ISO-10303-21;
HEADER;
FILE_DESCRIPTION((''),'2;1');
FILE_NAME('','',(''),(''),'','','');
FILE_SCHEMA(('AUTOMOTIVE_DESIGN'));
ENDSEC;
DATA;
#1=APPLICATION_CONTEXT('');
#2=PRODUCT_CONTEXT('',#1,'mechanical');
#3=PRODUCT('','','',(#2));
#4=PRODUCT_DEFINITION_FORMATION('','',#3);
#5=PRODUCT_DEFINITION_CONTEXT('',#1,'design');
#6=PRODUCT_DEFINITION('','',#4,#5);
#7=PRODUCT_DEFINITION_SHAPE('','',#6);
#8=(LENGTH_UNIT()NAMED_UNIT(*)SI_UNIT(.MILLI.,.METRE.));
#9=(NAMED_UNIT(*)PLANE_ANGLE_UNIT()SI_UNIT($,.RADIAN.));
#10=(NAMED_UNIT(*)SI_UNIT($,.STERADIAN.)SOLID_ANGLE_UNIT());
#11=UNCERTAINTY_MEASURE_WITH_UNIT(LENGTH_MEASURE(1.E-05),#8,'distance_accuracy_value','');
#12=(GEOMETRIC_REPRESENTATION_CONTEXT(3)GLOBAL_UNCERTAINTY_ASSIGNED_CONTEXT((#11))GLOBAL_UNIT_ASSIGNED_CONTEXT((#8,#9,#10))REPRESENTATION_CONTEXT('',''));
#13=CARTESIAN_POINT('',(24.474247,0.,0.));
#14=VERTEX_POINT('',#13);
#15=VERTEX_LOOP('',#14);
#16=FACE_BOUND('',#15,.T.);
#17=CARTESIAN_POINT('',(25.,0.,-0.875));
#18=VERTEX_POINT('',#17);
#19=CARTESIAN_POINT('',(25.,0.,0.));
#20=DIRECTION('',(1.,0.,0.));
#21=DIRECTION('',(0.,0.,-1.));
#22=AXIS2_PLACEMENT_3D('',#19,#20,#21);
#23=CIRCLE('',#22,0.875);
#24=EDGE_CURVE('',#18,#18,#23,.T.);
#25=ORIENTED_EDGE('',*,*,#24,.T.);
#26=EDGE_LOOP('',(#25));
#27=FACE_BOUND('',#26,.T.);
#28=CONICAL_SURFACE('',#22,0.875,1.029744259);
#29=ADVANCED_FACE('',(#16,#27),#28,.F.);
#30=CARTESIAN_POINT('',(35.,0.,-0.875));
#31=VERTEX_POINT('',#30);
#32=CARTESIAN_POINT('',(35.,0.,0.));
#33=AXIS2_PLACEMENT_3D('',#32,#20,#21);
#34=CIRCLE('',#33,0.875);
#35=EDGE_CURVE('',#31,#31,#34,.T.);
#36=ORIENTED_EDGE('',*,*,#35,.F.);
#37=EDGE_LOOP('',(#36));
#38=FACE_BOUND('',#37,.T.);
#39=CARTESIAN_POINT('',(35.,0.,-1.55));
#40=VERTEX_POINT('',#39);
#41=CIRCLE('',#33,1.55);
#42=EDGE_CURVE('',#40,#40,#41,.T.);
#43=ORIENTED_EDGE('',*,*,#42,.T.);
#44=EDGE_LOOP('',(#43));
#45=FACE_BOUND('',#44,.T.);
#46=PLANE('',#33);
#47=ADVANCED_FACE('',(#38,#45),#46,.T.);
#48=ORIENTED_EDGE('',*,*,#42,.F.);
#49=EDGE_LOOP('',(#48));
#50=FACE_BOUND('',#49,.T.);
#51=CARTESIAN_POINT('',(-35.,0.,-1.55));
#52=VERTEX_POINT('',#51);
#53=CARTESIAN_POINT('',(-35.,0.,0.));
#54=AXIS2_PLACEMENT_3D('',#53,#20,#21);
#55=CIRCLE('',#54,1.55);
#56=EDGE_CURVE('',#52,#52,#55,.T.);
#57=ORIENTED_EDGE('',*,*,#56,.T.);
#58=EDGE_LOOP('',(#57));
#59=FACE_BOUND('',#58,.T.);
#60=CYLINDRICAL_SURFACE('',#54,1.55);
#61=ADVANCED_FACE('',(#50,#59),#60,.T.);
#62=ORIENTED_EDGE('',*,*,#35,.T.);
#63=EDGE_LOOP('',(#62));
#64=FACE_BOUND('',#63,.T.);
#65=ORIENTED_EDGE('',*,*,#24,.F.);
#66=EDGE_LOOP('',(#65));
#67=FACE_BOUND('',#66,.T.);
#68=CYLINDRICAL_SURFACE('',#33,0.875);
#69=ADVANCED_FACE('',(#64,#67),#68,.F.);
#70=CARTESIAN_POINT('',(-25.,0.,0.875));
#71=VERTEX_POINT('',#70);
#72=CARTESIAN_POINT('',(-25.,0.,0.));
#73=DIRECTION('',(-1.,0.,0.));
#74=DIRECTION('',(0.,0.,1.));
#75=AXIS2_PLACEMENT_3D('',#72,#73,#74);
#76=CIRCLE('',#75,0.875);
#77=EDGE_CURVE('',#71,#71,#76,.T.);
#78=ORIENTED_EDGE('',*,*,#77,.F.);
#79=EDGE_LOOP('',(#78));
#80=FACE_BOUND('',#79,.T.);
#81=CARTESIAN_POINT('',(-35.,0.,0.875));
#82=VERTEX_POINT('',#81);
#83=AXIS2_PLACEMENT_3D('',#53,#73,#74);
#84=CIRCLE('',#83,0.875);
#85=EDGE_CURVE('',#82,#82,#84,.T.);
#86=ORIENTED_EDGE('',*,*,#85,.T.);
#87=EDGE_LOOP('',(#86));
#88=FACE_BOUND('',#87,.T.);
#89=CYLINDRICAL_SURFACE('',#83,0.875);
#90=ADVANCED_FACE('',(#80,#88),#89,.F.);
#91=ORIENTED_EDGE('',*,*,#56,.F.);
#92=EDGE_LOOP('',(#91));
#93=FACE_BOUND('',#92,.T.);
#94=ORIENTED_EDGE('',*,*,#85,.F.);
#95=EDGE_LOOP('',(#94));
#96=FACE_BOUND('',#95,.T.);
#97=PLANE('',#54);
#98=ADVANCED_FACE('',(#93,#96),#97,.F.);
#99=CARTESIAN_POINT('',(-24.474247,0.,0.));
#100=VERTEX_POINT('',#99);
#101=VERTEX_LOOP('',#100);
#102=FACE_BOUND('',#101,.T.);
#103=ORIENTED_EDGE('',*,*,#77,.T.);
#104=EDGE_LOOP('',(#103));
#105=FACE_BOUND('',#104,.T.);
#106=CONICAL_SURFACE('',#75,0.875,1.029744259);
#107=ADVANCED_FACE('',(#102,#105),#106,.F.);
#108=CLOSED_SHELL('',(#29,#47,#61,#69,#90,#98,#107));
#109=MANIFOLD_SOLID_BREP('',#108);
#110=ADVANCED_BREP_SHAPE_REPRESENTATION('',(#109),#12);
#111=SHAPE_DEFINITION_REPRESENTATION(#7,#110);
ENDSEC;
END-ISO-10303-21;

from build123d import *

# Parameters (mm, degrees)
BOSS_EXTRUDE1_DEPTH      = 35
BOSS_EXTRUDE1_DEPTH_BACK = 35
SKETCH1_R                = 1.55


with BuildPart() as part:
    # Sketch1 → Boss-Extrude1 (new, two sides: drawn at the far end of the back side and taken through both)
    with BuildSketch(Plane(origin=(0, 0, 0), x_dir=(0, 0, -1), z_dir=(1, 0, 0)).offset(-BOSS_EXTRUDE1_DEPTH_BACK)):
        Circle(SKETCH1_R)
    extrude(amount=BOSS_EXTRUDE1_DEPTH + BOSS_EXTRUDE1_DEPTH_BACK)

    # Sketch3 → M2x0.25 Tapped Hole1 (revolve, cut)
    with BuildSketch(Plane(origin=(35, 0, 0), x_dir=(0, 0, -1), z_dir=(0, 1, 0))):
        Polygon((0, 0), (0, 10.525753042), (0.875, 10), (0.875, 0), align=None)
    m2x0_25_tapped_hole1 = revolve(axis=Axis((41.35, 0, 0), (-1, 0, 0)), mode=Mode.SUBTRACT)

    # Mirror1: M2x0.25 Tapped Hole1 across plane
    add(m2x0_25_tapped_hole1.mirror(Plane(origin=(0, 0, 0), x_dir=(0, 0, 1), z_dir=(1, 0, 0))), mode=Mode.SUBTRACT)


solid = part.part
